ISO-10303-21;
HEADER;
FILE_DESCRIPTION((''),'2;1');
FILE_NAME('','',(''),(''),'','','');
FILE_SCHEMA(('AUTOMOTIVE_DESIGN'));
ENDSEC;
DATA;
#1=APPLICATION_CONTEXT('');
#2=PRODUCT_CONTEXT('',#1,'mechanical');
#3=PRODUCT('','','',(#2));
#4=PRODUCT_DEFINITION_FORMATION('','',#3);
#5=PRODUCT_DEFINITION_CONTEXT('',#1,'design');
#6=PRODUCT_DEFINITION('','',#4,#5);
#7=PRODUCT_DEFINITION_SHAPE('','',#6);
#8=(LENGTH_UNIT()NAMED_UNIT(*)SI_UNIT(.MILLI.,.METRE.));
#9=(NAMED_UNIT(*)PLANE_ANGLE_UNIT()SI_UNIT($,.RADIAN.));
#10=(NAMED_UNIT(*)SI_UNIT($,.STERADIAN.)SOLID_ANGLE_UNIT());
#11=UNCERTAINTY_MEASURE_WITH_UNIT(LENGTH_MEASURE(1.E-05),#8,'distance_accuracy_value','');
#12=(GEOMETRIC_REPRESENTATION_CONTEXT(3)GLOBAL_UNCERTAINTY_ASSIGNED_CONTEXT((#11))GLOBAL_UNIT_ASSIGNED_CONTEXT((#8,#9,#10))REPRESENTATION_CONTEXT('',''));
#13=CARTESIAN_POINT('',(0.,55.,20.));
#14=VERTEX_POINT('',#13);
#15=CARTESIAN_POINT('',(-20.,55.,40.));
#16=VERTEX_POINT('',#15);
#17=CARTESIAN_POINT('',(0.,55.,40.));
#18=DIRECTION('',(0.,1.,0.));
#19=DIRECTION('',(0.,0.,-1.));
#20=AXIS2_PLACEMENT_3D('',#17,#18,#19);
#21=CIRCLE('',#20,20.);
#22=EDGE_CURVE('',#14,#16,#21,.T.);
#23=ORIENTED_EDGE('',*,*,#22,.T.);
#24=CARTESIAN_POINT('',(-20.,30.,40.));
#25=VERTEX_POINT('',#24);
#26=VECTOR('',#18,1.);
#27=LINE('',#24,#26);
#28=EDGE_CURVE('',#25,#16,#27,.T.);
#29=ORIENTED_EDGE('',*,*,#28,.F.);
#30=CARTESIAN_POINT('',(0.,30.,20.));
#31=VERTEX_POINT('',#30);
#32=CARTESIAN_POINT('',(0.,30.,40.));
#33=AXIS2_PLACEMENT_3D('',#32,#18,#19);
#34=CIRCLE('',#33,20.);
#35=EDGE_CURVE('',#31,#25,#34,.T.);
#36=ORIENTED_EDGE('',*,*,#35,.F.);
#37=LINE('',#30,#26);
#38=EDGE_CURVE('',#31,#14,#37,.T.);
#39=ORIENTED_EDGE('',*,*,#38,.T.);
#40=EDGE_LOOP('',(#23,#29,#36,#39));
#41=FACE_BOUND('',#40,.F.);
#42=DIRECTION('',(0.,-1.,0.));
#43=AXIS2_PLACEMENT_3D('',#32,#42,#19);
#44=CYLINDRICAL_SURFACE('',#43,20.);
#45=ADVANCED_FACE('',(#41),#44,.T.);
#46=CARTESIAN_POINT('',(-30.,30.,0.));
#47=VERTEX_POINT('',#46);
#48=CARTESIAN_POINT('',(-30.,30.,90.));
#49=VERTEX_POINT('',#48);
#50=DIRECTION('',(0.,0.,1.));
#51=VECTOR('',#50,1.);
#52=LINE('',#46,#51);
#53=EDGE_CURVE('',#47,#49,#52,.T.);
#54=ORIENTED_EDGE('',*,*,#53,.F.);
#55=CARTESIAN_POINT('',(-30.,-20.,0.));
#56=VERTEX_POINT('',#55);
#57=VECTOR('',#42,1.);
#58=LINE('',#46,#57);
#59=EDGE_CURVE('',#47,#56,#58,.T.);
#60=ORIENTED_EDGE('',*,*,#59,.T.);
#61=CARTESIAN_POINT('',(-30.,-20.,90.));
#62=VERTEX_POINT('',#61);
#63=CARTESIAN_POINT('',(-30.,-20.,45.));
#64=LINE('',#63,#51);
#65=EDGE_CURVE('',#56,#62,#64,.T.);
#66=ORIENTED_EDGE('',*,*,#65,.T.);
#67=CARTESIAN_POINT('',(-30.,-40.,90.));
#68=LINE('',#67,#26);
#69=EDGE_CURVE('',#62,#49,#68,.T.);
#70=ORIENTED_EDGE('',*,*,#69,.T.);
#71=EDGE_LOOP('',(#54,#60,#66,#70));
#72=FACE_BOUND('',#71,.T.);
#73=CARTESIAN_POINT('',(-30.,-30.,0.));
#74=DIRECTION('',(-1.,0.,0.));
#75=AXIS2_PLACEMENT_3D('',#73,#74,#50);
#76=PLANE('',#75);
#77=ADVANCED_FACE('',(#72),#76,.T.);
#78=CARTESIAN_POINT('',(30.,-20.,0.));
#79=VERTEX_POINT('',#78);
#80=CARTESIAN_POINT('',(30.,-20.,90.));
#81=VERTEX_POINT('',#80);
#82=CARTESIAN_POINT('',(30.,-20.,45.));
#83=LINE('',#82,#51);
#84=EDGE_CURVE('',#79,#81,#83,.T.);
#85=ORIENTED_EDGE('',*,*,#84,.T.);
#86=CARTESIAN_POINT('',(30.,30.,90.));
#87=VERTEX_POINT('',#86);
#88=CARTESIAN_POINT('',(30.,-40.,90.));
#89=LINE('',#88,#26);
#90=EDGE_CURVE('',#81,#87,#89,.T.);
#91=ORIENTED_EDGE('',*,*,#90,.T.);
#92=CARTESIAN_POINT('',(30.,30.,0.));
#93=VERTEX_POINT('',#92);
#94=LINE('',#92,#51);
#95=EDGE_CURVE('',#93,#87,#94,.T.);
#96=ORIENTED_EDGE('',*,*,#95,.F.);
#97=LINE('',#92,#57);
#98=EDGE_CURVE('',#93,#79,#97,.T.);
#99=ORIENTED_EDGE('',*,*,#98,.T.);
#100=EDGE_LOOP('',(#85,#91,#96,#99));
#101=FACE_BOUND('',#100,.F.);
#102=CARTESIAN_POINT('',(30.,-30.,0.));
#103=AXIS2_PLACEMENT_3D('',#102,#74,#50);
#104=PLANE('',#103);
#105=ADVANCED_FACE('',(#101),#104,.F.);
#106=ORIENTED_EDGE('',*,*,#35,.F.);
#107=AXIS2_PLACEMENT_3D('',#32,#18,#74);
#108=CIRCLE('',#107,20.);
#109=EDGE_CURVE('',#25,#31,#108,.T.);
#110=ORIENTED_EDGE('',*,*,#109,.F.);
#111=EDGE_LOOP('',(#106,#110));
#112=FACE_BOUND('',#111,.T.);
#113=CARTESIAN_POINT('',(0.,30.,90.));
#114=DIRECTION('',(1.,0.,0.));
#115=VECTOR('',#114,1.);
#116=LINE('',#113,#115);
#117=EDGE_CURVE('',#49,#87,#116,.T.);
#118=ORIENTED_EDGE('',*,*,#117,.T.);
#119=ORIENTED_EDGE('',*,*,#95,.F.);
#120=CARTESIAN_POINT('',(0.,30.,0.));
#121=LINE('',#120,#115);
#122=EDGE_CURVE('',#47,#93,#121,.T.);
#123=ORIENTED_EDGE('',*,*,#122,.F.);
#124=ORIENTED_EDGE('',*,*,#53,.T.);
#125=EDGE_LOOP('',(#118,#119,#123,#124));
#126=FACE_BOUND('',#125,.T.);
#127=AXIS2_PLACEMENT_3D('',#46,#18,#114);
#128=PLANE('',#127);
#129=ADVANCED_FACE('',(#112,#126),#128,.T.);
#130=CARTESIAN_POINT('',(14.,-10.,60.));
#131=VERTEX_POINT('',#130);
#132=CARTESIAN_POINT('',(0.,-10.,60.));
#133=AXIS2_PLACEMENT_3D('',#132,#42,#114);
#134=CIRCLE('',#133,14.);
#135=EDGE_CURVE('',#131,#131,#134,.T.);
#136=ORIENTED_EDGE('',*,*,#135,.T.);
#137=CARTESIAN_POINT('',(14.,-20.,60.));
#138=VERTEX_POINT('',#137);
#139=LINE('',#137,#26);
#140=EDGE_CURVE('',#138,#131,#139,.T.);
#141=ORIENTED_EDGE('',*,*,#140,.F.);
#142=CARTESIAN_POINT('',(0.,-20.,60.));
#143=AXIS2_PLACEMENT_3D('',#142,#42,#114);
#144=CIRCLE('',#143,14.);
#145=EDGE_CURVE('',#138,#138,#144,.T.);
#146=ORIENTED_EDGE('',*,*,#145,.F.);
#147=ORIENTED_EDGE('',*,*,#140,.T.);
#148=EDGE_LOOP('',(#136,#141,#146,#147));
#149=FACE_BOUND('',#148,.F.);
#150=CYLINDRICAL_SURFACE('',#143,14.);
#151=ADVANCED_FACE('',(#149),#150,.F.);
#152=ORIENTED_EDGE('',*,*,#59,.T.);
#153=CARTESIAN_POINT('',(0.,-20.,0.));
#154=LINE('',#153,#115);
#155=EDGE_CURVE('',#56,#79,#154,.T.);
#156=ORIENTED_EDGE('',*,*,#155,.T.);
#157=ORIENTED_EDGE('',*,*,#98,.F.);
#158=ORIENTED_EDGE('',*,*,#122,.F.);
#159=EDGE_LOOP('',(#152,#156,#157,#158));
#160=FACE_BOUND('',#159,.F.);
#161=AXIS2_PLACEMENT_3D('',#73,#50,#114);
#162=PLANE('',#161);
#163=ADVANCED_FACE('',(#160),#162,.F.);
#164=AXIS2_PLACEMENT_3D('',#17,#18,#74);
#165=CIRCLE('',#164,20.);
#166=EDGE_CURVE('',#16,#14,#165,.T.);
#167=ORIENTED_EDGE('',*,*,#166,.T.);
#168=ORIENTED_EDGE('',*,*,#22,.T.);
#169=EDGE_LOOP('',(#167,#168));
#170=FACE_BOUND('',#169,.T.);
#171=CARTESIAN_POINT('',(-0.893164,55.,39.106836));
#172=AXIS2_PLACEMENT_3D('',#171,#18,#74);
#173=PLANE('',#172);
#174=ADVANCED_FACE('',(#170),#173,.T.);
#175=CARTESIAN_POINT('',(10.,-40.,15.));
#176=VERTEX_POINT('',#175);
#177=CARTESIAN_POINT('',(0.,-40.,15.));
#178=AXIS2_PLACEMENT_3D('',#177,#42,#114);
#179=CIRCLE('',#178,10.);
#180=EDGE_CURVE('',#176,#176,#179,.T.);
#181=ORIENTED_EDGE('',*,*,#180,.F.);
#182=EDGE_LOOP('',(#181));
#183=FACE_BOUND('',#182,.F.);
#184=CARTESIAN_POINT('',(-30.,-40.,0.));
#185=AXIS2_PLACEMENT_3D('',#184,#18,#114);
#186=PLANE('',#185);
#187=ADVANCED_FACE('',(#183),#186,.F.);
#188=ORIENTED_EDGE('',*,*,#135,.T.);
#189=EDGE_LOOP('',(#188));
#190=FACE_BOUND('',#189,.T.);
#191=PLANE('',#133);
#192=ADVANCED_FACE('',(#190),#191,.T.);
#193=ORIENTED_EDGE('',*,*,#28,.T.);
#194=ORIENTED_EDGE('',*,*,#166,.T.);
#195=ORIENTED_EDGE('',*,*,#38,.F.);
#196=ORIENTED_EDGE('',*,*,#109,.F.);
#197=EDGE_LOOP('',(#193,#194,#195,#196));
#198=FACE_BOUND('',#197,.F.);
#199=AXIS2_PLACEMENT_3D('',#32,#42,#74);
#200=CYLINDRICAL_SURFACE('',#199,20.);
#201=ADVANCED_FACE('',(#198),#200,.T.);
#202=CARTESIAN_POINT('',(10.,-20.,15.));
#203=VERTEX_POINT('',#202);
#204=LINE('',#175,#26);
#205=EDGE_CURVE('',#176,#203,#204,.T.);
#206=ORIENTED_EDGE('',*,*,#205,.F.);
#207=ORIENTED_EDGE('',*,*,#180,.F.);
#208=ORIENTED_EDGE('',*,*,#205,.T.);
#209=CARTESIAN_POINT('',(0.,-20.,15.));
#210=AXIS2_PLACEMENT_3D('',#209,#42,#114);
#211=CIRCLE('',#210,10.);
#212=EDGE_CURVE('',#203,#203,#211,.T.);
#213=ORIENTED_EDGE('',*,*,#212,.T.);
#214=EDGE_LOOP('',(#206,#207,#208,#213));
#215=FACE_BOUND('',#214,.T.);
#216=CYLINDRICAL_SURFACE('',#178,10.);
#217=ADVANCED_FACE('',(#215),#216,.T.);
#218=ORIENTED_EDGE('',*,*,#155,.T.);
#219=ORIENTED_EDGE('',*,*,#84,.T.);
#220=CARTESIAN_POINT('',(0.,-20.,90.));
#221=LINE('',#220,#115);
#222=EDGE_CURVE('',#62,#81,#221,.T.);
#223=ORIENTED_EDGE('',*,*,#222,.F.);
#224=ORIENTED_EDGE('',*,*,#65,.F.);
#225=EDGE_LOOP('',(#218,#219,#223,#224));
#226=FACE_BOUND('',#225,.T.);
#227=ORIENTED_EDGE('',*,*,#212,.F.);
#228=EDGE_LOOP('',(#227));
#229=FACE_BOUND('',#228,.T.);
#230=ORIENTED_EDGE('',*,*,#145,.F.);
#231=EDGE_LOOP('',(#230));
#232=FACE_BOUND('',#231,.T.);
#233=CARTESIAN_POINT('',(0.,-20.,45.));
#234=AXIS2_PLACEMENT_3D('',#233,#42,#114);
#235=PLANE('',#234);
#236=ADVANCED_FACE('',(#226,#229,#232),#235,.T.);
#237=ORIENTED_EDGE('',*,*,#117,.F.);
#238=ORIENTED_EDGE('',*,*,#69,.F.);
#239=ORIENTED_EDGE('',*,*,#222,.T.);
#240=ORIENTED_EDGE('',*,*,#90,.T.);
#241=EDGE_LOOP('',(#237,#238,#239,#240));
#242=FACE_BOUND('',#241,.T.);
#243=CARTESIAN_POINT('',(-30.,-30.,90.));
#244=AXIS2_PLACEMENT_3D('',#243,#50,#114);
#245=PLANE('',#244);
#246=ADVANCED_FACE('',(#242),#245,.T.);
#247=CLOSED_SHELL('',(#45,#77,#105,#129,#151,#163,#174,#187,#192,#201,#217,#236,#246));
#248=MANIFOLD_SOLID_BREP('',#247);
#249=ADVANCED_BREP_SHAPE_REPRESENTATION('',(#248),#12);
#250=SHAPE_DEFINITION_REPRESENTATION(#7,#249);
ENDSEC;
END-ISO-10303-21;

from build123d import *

# Parameters (mm, degrees)
F0_W     = 60
F0_H     = 60
F1_DEPTH = 90
F2_DEPTH = 10
F4_DEPTH = 25
F5_W     = 60
F5_H     = 90
F5_R     = 10
F6_DEPTH = 20
F7_R     = 14
F8_DEPTH = 10


with BuildPart() as f1:
    # F0 (on Top) → F1 (new body)
    with BuildSketch(Plane.XY):
        Rectangle(F0_W, F0_H)
    extrude(amount=F1_DEPTH)

    # F2 (add): a face of the model
    f2_faces = [f1.faces().sort_by_distance(p)[0] for p in [
        (0, -30, 45),
    ]]
    extrude(f2_faces, amount=F2_DEPTH)

    # F3 (on face) → F4 (join)
    with BuildSketch(Plane(origin=(0, 30, 0), x_dir=(-1, 0, 0), z_dir=(0, 1, 0))):
        with BuildLine():
            ThreePointArc((0, 20), (14.1421356237, 25.8578643763), (20, 40))
            ThreePointArc((20, 40), (-14.1421356237, 54.1421356237), (0, 20))
        make_face()
    extrude(amount=F4_DEPTH)

    # F5 (on face) → F6 (cut)
    with BuildSketch(Plane.XZ.offset(40)):
        with Locations((0, 45)):
            Rectangle(F5_W, F5_H)
        with Locations((0, 15)):
            Circle(F5_R, mode=Mode.SUBTRACT)
    extrude(amount=-F6_DEPTH, mode=Mode.SUBTRACT)

    # F7 (on face) → F8 (cut)
    with BuildSketch(Plane.XZ.offset(20)):
        with Locations((0, 60)):
            Circle(F7_R)
    extrude(amount=-F8_DEPTH, mode=Mode.SUBTRACT)


solid = f1.part
